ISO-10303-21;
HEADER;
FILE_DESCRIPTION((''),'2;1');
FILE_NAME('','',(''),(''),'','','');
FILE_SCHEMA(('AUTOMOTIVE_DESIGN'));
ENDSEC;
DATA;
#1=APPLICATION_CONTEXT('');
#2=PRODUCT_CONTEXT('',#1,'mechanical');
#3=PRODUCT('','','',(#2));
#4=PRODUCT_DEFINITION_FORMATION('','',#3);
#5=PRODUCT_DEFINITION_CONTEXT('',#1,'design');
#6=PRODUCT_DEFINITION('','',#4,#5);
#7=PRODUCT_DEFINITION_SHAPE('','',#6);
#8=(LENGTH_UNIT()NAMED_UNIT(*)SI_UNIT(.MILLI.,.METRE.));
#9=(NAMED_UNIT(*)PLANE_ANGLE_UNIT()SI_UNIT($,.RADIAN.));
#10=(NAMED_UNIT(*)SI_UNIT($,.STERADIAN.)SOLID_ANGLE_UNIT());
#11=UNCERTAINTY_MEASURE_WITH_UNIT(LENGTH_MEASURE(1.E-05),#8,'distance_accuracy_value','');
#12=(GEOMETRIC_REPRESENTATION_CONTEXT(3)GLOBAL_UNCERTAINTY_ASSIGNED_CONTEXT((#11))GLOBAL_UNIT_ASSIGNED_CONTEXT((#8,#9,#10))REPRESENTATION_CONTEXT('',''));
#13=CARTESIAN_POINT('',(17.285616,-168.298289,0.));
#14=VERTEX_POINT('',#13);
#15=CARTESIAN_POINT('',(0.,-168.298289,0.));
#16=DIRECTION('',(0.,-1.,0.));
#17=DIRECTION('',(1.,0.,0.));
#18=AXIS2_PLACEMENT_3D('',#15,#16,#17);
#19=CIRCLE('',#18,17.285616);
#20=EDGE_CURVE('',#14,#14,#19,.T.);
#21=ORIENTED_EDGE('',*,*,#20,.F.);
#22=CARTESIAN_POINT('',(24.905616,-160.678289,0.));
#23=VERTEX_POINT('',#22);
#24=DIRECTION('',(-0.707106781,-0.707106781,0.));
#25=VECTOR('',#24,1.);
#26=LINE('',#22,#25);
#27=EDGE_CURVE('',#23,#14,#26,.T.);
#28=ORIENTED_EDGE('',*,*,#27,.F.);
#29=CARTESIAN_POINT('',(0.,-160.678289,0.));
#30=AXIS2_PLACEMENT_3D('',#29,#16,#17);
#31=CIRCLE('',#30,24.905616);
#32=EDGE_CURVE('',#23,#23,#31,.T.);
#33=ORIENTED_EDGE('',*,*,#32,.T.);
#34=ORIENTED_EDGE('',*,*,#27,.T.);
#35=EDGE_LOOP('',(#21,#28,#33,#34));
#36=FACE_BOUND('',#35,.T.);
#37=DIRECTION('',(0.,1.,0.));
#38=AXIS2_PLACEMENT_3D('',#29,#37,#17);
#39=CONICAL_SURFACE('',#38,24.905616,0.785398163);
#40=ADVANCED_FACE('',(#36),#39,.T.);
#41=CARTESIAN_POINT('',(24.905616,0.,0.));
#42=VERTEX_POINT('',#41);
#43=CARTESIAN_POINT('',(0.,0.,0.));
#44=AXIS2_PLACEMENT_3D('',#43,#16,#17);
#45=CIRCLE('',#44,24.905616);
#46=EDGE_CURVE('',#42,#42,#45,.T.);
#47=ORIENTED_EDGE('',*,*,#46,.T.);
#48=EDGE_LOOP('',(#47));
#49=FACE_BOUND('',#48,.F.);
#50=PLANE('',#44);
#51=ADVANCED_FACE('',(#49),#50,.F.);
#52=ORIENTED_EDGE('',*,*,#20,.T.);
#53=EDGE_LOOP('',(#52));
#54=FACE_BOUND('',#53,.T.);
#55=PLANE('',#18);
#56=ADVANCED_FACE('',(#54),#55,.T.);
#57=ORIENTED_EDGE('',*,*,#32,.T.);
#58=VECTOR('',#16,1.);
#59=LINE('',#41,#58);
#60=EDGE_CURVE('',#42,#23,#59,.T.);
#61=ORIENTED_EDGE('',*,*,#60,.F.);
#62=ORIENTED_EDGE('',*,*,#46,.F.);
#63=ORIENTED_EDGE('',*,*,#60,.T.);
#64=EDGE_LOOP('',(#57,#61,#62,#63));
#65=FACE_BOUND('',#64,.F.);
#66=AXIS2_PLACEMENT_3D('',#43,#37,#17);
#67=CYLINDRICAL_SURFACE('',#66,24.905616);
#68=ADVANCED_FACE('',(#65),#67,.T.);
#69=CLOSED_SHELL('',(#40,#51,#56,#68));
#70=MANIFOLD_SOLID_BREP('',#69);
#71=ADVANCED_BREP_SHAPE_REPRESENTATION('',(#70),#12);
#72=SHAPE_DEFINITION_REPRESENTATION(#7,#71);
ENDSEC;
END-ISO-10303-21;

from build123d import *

# Parameters (mm, degrees)
F0_R     = 24.905616
F1_DEPTH = 168.298289
F2_SIZE  = 7.62


with BuildPart() as f1:
    # F0 (on Front) → F1 (new body)
    with BuildSketch(Plane.XZ):
        Circle(F0_R)
    extrude(amount=F1_DEPTH)

    # F2
    f2_edges = [f1.edges().sort_by_distance(p)[0] for p in [
        (-24.905616, -168.298289, 0),
    ]]
    chamfer(f2_edges, length=F2_SIZE)


solid = f1.part
